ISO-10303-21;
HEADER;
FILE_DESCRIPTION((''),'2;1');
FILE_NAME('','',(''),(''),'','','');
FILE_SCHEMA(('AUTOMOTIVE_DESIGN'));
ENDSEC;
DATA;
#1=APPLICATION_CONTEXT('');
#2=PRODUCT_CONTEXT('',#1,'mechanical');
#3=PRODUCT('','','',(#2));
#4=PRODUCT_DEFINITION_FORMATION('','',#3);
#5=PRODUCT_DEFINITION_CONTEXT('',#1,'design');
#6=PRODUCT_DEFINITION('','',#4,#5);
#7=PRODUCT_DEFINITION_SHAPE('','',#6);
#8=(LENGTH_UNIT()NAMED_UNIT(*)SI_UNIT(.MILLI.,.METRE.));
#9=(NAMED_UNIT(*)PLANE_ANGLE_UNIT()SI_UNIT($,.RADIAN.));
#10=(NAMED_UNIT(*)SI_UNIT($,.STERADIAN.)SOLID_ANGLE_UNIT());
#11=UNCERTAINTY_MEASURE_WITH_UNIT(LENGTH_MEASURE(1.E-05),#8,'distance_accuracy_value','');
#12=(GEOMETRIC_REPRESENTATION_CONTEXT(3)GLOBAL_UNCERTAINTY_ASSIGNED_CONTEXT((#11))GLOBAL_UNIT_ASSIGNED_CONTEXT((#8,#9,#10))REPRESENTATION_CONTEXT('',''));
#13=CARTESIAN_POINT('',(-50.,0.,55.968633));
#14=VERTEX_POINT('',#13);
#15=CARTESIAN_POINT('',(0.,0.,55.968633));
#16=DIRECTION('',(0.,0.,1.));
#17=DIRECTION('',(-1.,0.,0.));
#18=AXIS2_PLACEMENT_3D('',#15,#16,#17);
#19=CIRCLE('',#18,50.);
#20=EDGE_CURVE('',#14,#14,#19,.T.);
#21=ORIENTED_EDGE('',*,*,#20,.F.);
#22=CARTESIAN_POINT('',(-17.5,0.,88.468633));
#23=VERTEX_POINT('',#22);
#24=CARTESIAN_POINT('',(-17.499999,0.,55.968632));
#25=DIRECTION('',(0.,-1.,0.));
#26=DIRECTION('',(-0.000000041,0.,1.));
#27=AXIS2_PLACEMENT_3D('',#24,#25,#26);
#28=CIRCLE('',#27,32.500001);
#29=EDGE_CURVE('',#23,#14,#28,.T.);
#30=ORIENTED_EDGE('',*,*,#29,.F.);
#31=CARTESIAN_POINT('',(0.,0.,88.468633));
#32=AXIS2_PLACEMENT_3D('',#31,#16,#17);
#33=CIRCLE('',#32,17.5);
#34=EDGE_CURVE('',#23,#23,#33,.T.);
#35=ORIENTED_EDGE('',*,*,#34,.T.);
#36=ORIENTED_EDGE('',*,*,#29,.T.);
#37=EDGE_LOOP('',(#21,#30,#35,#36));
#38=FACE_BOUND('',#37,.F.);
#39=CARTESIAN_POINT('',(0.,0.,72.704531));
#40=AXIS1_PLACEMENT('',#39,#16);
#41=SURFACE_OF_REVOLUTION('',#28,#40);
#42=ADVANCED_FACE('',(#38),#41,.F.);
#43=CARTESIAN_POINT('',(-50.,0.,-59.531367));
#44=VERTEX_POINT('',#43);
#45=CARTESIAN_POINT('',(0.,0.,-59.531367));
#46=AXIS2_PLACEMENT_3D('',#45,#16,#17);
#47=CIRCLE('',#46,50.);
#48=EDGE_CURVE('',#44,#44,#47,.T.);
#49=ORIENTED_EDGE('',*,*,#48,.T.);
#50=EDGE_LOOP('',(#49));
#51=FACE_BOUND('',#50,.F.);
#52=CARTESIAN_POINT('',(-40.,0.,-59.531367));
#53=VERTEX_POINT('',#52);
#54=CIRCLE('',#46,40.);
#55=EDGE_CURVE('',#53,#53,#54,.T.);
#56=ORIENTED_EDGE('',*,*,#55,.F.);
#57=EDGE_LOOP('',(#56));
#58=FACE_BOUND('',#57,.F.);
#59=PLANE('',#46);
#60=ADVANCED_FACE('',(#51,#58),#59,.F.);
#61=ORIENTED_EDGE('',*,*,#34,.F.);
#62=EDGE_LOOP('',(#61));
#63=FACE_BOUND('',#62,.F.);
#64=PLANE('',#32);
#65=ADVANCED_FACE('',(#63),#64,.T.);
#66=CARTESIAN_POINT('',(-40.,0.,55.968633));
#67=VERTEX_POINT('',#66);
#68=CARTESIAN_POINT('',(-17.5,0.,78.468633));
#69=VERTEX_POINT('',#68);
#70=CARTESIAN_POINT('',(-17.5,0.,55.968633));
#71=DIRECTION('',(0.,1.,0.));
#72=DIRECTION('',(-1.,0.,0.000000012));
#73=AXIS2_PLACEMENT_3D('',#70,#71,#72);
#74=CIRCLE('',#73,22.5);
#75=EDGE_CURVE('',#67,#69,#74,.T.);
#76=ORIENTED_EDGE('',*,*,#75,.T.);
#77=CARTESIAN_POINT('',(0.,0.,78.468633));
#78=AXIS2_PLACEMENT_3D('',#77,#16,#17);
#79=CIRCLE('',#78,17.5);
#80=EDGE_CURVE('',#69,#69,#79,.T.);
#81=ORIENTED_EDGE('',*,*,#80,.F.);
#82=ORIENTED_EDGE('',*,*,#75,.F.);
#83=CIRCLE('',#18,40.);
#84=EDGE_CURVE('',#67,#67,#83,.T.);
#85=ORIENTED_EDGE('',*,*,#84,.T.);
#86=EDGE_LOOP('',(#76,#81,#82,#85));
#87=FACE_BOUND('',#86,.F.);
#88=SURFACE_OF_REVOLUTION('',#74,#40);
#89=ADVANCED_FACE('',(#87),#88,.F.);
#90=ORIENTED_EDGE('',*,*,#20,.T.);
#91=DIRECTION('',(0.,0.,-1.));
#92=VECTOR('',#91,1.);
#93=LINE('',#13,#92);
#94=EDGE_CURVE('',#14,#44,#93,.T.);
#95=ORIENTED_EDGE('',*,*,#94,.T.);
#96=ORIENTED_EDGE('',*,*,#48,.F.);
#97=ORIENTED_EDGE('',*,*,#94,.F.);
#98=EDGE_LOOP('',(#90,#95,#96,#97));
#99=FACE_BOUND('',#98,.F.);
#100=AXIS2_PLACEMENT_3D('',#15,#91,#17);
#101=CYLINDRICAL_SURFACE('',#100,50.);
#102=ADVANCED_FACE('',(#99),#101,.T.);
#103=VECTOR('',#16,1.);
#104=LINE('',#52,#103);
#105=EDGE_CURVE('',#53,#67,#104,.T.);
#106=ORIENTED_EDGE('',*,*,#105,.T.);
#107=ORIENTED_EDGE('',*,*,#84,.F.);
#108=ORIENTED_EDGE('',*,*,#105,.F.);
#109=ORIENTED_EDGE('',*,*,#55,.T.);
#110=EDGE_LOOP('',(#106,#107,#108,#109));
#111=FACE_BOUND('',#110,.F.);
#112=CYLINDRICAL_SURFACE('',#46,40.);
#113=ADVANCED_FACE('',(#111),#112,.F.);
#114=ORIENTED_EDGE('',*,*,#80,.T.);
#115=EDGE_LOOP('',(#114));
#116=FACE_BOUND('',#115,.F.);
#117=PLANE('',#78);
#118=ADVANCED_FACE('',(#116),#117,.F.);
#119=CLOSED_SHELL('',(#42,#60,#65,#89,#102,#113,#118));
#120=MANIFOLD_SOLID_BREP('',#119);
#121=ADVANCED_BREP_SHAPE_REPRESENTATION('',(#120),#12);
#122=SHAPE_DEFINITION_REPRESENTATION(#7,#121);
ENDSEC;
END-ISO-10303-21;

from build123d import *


with BuildPart() as f1:
    # F0 (on Front) → F1 (revolve)
    with BuildSketch(Plane.XZ):
        with BuildLine():
            Line((-50, 55.968633), (-50, -59.531367))
            Line((-50, -59.531367), (-40, -59.531367))
            Line((-40, -59.531367), (-40, 55.968633))
            ThreePointArc((-40, 55.968633), (-33.409903, 71.878535), (-17.5, 78.468633))
            Line((-17.5, 78.468633), (0, 78.468633))
            Line((0, 78.468633), (0, 88.468633))
            Line((0, 88.468633), (-17.5, 88.468633))
            ThreePointArc((-17.5, 88.468633), (-40.48097, 78.949603), (-50, 55.968633))
        make_face()
    revolve(axis=Axis((0, 0, 72.704531), (0, 0, 1)))


solid = f1.part
